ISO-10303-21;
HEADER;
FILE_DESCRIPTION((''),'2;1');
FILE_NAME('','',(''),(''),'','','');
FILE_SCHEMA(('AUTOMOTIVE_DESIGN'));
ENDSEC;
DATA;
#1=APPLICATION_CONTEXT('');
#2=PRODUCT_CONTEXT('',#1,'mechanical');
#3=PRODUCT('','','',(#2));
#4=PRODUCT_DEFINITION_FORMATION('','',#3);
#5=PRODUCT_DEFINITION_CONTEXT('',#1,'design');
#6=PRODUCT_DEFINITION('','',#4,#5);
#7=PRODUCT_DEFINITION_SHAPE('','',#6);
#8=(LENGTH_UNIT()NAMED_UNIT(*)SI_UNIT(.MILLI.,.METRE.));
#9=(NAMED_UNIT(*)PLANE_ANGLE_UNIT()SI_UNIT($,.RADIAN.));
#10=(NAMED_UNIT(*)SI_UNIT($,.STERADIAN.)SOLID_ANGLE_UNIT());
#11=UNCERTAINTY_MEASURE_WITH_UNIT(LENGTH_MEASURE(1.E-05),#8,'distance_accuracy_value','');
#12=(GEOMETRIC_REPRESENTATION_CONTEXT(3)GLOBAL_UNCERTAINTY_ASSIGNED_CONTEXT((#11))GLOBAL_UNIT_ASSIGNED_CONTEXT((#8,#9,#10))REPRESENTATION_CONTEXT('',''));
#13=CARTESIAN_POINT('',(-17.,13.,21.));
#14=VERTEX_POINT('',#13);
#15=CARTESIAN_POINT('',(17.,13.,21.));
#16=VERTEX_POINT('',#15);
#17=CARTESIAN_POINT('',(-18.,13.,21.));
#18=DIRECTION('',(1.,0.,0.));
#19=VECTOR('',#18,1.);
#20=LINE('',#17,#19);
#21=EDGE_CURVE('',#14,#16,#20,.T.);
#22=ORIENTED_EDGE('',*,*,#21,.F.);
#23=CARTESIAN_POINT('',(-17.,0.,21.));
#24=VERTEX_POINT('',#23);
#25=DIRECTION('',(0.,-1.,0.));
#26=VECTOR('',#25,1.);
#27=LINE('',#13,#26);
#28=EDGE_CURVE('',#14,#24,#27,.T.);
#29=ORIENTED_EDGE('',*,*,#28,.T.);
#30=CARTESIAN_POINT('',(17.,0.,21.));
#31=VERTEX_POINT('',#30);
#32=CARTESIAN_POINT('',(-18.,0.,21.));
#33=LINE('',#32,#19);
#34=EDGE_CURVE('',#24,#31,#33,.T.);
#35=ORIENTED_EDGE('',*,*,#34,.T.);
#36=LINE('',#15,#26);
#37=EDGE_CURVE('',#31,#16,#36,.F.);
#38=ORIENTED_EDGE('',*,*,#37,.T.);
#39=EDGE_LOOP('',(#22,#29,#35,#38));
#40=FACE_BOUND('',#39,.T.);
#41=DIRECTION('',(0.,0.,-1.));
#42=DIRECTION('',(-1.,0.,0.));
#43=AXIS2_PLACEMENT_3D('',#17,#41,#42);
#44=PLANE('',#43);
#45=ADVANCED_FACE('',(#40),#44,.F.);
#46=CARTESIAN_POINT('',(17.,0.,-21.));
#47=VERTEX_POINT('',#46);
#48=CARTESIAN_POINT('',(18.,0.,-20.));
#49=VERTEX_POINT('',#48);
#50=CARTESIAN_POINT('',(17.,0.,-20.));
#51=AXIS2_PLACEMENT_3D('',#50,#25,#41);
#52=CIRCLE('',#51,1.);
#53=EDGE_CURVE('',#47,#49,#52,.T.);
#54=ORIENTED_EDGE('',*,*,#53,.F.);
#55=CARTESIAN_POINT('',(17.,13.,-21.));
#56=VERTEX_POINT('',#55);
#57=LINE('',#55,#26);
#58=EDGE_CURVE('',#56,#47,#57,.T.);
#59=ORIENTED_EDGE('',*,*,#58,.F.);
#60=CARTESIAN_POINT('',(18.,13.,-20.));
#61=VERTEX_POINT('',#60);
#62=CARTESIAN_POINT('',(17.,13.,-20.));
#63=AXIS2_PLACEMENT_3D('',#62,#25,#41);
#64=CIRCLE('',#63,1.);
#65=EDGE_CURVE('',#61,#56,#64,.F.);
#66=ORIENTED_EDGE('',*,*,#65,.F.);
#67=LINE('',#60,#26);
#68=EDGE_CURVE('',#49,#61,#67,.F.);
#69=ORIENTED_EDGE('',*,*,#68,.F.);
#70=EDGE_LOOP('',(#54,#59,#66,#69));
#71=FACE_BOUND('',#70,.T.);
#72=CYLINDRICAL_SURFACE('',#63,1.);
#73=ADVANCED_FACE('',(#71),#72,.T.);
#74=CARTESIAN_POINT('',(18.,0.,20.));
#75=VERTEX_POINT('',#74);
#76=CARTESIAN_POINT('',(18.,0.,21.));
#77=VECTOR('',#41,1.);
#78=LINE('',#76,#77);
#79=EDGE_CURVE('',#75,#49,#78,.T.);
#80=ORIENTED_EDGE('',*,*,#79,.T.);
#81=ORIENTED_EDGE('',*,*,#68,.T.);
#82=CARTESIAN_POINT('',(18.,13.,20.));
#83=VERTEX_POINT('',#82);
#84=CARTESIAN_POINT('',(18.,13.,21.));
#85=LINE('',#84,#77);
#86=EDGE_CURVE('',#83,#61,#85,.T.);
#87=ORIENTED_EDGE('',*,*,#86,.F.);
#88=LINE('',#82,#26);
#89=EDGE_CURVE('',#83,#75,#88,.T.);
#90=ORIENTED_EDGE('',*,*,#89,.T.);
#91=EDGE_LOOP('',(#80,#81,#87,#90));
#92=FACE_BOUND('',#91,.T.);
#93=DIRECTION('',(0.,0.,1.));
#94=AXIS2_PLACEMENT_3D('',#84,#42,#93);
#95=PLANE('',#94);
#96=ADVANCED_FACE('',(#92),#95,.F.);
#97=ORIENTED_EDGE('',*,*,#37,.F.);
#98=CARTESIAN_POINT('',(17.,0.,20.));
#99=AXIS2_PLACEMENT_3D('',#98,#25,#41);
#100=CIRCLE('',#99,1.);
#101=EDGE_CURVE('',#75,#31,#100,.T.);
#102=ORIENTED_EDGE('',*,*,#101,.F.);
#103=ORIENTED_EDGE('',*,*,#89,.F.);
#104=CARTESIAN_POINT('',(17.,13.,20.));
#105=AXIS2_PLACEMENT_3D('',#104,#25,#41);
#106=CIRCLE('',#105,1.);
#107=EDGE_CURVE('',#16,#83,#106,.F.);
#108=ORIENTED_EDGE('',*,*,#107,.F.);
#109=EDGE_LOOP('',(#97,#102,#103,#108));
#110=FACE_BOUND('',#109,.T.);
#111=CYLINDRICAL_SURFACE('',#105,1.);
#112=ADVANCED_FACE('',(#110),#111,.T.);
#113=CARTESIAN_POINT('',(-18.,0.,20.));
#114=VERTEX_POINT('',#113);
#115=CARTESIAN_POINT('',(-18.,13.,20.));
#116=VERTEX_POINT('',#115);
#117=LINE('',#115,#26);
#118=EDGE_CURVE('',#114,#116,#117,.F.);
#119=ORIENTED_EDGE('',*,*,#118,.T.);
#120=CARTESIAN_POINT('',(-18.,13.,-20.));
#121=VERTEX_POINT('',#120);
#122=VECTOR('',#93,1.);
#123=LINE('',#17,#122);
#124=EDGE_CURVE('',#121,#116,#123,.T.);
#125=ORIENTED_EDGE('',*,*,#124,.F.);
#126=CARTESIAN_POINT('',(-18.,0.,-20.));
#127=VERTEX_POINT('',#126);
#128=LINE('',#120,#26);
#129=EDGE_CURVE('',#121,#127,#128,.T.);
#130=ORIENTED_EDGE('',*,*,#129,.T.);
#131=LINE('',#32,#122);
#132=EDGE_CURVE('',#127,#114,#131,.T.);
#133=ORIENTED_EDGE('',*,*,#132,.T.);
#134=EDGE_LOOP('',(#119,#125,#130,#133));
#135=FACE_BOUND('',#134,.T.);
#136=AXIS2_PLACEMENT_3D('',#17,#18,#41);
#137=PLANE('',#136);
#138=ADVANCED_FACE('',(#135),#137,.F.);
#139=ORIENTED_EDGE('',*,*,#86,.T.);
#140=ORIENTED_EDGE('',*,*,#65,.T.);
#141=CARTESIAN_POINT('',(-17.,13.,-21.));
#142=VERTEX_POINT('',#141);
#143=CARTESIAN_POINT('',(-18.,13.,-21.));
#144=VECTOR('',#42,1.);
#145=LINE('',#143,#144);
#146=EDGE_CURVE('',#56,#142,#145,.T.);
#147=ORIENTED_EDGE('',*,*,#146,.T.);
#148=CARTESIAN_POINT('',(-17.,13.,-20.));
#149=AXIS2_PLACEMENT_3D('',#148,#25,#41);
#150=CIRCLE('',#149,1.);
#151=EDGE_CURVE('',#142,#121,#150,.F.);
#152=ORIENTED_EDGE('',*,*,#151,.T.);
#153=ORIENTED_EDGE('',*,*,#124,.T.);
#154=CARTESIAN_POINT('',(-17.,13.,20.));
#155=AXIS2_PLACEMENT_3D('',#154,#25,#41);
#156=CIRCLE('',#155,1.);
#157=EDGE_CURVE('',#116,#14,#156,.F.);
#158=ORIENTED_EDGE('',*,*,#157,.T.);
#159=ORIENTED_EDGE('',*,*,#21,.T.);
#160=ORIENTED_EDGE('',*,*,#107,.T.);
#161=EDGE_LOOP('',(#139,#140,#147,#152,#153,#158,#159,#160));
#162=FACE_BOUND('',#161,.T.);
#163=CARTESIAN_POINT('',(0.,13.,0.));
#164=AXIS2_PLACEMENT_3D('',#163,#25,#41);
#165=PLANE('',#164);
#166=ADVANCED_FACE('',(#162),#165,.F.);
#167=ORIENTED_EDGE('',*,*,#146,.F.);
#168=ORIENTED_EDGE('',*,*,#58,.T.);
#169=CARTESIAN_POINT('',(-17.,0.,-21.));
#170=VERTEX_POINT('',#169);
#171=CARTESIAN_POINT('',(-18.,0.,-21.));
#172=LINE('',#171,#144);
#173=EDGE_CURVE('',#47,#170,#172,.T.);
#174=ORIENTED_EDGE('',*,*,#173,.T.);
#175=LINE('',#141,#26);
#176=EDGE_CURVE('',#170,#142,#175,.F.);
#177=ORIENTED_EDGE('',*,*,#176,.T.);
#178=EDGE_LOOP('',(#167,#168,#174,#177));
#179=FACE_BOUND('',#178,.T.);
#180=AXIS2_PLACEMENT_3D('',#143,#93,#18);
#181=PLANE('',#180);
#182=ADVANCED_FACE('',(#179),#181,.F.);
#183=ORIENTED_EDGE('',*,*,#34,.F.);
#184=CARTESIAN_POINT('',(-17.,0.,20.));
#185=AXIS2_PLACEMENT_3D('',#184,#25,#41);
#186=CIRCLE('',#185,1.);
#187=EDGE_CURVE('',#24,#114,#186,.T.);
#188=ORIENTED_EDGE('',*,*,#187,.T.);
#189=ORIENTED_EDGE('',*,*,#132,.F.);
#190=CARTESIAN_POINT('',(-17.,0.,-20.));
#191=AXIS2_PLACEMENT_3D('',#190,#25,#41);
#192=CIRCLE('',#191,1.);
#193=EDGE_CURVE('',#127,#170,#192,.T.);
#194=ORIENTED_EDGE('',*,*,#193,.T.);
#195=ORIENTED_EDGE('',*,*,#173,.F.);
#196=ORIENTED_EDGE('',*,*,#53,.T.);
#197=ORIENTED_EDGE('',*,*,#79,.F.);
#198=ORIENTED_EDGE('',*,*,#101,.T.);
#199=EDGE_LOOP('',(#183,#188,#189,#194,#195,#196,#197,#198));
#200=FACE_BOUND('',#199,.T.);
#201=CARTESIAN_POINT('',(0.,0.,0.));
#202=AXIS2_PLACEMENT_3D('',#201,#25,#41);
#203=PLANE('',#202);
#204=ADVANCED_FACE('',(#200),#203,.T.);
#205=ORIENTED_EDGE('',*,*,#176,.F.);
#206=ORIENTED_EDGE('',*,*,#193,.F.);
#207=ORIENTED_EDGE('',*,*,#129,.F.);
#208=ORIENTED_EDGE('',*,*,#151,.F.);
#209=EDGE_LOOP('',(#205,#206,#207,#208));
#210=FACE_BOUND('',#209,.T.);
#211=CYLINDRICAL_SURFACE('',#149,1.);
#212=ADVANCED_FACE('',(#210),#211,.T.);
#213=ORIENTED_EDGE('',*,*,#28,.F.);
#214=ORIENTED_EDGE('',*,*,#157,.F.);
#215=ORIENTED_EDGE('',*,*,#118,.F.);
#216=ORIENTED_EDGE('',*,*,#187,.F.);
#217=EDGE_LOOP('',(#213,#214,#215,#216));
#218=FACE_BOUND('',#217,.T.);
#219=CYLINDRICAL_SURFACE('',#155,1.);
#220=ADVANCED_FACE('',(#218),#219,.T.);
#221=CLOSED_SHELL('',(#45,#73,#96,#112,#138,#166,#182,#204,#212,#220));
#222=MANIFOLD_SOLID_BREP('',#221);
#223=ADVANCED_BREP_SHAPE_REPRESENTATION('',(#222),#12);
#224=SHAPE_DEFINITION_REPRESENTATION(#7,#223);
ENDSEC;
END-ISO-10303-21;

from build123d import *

# Parameters (mm, degrees)
CROQUIS1_W              = 36
CROQUIS1_H              = 42
SALIENTE_EXTRUIR1_DEPTH = 13
REDONDEO1_R             = 1


with BuildPart() as part:
    # Croquis1 → Saliente-Extruir1 (new body)
    with BuildSketch(Plane(origin=(0, 0, 0), x_dir=(1, 0, 0), z_dir=(0, 1, 0))):
        Rectangle(CROQUIS1_W, CROQUIS1_H)
    extrude(amount=SALIENTE_EXTRUIR1_DEPTH)

    # Redondeo1
    redondeo1_edges = [part.edges().sort_by_distance(p)[0] for p in [
        (18, 6.5, 21),
        (-18, 6.5, 21),
        (-18, 6.5, -21),
        (18, 6.5, -21),
    ]]
    fillet(redondeo1_edges, radius=REDONDEO1_R)


solid = part.part
